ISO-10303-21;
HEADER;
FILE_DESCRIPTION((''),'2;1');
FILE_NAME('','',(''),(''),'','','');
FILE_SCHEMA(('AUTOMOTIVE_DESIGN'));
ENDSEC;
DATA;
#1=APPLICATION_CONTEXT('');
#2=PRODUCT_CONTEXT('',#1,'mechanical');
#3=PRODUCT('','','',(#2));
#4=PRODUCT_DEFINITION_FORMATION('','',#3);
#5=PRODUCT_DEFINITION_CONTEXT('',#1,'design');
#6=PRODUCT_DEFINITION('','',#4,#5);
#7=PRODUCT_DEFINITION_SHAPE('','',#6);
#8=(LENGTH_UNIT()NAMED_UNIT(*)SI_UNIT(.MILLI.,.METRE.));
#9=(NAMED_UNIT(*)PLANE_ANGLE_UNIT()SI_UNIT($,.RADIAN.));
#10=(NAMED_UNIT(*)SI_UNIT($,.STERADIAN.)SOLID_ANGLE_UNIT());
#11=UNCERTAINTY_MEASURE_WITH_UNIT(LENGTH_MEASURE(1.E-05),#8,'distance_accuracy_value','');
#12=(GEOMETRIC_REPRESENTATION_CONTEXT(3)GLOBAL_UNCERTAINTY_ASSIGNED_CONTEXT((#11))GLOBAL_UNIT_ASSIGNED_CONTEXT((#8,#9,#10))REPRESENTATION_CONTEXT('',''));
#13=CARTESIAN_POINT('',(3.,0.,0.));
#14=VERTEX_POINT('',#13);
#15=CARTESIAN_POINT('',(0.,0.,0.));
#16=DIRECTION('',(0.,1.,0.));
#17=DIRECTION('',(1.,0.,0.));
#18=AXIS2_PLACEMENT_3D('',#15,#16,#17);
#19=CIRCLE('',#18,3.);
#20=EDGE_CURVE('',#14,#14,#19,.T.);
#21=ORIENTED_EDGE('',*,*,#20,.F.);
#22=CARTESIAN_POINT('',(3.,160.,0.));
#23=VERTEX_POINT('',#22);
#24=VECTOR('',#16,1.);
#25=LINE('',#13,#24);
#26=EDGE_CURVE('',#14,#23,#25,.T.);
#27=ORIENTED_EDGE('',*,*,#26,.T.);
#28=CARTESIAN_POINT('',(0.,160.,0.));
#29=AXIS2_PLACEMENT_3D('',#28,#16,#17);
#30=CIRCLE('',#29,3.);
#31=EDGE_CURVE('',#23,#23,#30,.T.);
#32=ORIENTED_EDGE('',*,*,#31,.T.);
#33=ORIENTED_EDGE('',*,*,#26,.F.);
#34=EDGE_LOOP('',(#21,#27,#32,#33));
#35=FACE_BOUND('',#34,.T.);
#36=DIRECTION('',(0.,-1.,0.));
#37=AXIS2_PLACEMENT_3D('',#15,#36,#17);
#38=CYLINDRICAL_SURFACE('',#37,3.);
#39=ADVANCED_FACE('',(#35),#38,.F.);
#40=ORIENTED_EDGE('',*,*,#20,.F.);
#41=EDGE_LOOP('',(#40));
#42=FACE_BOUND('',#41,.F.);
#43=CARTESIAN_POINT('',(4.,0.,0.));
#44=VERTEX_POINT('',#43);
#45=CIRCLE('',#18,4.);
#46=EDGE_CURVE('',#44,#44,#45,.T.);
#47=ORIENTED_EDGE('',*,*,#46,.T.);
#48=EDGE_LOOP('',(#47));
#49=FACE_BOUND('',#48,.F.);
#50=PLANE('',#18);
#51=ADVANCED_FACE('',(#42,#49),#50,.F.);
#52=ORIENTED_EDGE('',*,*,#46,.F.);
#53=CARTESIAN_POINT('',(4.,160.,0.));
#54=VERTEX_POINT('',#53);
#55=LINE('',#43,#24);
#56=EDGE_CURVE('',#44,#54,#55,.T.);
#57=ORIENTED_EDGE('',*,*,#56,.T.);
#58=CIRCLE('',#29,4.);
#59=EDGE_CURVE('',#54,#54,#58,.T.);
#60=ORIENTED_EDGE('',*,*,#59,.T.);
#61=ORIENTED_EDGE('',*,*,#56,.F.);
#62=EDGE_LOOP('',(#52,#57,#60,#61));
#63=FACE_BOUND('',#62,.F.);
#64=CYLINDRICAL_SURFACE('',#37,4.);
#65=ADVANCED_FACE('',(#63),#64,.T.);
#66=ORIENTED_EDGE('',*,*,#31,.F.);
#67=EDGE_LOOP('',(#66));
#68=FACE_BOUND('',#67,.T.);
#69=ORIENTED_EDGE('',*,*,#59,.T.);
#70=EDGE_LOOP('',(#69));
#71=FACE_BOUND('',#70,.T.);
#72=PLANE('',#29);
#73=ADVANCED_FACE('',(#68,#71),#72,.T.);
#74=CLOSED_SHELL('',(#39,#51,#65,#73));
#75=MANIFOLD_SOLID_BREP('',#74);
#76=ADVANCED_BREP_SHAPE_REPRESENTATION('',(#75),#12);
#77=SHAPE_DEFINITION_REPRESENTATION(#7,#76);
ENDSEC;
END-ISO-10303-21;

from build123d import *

# Parameters (mm, degrees)
SKETCH1_R           = 4
SKETCH1_R_2         = 3
BOSS_EXTRUDE1_DEPTH = 160


with BuildPart() as part:
    # Sketch1 → Boss-Extrude1 (new body)
    with BuildSketch(Plane(origin=(0, 0, 0), x_dir=(1, 0, 0), z_dir=(0, 1, 0))):
        Circle(SKETCH1_R)
        Circle(SKETCH1_R_2, mode=Mode.SUBTRACT)
    extrude(amount=BOSS_EXTRUDE1_DEPTH)


solid = part.part
